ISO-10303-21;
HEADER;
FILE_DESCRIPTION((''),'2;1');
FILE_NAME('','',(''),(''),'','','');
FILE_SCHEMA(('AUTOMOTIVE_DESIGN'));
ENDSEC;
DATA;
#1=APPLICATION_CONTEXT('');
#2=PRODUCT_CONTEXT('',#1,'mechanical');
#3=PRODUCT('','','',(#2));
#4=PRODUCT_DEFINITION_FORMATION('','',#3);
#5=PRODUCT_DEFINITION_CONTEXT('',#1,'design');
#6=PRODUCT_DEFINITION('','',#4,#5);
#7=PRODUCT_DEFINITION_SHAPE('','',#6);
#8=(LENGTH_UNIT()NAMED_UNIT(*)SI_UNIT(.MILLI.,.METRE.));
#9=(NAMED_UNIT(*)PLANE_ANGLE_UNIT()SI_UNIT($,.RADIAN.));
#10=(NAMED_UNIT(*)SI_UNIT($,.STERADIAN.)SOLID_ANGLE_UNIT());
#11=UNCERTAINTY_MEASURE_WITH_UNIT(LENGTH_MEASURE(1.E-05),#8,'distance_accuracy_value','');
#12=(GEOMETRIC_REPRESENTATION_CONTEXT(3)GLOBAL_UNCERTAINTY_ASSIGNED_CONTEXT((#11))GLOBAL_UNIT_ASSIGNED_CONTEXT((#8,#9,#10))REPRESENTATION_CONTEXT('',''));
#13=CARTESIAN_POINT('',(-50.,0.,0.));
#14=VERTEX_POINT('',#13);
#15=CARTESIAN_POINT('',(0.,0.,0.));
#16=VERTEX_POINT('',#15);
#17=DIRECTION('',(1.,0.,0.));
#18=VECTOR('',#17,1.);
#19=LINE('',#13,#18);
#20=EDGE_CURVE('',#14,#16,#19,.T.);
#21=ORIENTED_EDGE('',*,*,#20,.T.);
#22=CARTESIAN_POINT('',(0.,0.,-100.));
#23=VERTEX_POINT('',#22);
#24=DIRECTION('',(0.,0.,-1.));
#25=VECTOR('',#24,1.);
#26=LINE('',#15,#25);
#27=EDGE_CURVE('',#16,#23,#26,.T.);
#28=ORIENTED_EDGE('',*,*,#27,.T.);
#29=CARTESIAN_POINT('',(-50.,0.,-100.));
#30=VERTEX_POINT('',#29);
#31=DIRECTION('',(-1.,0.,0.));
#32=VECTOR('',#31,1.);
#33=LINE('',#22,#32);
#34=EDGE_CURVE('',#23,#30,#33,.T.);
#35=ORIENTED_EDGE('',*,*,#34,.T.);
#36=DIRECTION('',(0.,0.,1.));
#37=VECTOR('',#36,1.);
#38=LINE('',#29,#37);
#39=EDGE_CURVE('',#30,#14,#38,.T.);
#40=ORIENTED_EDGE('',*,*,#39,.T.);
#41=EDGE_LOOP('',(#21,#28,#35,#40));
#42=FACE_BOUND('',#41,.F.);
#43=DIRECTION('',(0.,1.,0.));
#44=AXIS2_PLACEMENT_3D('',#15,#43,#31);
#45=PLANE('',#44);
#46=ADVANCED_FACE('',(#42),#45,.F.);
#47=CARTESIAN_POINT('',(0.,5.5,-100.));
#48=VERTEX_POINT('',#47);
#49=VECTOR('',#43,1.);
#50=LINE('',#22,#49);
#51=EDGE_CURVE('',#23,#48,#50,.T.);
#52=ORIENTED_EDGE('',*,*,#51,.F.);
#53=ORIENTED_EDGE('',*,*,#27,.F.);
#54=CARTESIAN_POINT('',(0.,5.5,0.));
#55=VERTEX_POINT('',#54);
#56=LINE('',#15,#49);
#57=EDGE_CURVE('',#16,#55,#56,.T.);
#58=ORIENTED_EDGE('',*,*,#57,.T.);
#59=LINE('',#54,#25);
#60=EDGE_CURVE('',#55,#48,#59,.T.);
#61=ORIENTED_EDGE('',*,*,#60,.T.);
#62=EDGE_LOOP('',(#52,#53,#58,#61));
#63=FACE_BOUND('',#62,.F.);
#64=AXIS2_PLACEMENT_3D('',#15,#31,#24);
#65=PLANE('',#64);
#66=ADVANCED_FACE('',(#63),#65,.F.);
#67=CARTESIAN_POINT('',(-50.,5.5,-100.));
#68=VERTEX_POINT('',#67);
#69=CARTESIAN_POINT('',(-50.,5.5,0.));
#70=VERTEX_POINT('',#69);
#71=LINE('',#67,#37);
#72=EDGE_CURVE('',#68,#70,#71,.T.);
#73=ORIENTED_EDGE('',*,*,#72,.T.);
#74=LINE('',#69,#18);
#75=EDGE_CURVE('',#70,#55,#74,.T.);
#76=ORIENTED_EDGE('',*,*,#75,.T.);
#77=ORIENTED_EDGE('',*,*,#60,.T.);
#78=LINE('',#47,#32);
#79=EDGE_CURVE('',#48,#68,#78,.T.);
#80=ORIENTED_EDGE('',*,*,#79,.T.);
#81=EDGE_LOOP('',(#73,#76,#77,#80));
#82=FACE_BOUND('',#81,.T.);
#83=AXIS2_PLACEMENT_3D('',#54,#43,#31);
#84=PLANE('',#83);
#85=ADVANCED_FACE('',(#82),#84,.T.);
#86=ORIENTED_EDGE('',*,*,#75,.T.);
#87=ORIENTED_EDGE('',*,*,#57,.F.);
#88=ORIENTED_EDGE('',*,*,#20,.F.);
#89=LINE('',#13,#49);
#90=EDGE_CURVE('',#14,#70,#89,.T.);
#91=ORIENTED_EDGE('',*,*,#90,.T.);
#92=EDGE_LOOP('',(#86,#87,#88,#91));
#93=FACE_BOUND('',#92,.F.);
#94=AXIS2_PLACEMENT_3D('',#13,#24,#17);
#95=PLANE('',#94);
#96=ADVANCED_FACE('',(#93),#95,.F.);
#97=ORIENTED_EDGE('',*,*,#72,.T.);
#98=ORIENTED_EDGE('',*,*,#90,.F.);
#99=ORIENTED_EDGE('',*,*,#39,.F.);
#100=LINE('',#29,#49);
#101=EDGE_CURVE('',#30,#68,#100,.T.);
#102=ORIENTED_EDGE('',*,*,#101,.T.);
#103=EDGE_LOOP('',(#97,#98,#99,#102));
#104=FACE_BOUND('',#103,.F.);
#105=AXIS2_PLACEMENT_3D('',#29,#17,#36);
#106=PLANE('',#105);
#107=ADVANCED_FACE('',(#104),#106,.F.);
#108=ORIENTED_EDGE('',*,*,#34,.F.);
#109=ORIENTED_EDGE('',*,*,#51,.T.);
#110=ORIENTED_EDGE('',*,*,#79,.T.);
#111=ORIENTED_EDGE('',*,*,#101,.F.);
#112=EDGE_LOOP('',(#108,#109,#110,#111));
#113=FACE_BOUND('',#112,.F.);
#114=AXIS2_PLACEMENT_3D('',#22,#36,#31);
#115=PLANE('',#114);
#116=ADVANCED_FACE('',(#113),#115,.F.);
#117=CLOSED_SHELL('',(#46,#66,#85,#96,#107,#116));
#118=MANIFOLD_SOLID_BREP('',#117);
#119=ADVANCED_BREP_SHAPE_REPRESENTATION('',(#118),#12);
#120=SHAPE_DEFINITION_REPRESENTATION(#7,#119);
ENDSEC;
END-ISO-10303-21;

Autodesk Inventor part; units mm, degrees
ref_plane "YZ Plane" through (0, 0, 0) normal (1, 0, 0) x (0, 1, 0)
ref_plane "XZ Plane" through (0, 0, 0) normal (0, 1, 0) x (-1, 0, 0)
ref_plane "XY Plane" through (0, 0, 0) normal (0, 0, 1) x (1, 0, 0)
sketch "Sketch1" plane through (0, 0, 0) normal (0, 1, 0) x (-1, 0, 0)
  line L0 (0, 0) -> (0, -100)
  line L1 (0, -100) -> (50, -100)
  line L2 (50, -100) -> (50, 0)
  line L3 (50, 0) -> (0, 0)
  dimension "d0" = 100
  dimension "d1" = 50
extrude "Extrusion1" add sketch "Sketch1" along normal blind 5.5
properties part number "CD"
